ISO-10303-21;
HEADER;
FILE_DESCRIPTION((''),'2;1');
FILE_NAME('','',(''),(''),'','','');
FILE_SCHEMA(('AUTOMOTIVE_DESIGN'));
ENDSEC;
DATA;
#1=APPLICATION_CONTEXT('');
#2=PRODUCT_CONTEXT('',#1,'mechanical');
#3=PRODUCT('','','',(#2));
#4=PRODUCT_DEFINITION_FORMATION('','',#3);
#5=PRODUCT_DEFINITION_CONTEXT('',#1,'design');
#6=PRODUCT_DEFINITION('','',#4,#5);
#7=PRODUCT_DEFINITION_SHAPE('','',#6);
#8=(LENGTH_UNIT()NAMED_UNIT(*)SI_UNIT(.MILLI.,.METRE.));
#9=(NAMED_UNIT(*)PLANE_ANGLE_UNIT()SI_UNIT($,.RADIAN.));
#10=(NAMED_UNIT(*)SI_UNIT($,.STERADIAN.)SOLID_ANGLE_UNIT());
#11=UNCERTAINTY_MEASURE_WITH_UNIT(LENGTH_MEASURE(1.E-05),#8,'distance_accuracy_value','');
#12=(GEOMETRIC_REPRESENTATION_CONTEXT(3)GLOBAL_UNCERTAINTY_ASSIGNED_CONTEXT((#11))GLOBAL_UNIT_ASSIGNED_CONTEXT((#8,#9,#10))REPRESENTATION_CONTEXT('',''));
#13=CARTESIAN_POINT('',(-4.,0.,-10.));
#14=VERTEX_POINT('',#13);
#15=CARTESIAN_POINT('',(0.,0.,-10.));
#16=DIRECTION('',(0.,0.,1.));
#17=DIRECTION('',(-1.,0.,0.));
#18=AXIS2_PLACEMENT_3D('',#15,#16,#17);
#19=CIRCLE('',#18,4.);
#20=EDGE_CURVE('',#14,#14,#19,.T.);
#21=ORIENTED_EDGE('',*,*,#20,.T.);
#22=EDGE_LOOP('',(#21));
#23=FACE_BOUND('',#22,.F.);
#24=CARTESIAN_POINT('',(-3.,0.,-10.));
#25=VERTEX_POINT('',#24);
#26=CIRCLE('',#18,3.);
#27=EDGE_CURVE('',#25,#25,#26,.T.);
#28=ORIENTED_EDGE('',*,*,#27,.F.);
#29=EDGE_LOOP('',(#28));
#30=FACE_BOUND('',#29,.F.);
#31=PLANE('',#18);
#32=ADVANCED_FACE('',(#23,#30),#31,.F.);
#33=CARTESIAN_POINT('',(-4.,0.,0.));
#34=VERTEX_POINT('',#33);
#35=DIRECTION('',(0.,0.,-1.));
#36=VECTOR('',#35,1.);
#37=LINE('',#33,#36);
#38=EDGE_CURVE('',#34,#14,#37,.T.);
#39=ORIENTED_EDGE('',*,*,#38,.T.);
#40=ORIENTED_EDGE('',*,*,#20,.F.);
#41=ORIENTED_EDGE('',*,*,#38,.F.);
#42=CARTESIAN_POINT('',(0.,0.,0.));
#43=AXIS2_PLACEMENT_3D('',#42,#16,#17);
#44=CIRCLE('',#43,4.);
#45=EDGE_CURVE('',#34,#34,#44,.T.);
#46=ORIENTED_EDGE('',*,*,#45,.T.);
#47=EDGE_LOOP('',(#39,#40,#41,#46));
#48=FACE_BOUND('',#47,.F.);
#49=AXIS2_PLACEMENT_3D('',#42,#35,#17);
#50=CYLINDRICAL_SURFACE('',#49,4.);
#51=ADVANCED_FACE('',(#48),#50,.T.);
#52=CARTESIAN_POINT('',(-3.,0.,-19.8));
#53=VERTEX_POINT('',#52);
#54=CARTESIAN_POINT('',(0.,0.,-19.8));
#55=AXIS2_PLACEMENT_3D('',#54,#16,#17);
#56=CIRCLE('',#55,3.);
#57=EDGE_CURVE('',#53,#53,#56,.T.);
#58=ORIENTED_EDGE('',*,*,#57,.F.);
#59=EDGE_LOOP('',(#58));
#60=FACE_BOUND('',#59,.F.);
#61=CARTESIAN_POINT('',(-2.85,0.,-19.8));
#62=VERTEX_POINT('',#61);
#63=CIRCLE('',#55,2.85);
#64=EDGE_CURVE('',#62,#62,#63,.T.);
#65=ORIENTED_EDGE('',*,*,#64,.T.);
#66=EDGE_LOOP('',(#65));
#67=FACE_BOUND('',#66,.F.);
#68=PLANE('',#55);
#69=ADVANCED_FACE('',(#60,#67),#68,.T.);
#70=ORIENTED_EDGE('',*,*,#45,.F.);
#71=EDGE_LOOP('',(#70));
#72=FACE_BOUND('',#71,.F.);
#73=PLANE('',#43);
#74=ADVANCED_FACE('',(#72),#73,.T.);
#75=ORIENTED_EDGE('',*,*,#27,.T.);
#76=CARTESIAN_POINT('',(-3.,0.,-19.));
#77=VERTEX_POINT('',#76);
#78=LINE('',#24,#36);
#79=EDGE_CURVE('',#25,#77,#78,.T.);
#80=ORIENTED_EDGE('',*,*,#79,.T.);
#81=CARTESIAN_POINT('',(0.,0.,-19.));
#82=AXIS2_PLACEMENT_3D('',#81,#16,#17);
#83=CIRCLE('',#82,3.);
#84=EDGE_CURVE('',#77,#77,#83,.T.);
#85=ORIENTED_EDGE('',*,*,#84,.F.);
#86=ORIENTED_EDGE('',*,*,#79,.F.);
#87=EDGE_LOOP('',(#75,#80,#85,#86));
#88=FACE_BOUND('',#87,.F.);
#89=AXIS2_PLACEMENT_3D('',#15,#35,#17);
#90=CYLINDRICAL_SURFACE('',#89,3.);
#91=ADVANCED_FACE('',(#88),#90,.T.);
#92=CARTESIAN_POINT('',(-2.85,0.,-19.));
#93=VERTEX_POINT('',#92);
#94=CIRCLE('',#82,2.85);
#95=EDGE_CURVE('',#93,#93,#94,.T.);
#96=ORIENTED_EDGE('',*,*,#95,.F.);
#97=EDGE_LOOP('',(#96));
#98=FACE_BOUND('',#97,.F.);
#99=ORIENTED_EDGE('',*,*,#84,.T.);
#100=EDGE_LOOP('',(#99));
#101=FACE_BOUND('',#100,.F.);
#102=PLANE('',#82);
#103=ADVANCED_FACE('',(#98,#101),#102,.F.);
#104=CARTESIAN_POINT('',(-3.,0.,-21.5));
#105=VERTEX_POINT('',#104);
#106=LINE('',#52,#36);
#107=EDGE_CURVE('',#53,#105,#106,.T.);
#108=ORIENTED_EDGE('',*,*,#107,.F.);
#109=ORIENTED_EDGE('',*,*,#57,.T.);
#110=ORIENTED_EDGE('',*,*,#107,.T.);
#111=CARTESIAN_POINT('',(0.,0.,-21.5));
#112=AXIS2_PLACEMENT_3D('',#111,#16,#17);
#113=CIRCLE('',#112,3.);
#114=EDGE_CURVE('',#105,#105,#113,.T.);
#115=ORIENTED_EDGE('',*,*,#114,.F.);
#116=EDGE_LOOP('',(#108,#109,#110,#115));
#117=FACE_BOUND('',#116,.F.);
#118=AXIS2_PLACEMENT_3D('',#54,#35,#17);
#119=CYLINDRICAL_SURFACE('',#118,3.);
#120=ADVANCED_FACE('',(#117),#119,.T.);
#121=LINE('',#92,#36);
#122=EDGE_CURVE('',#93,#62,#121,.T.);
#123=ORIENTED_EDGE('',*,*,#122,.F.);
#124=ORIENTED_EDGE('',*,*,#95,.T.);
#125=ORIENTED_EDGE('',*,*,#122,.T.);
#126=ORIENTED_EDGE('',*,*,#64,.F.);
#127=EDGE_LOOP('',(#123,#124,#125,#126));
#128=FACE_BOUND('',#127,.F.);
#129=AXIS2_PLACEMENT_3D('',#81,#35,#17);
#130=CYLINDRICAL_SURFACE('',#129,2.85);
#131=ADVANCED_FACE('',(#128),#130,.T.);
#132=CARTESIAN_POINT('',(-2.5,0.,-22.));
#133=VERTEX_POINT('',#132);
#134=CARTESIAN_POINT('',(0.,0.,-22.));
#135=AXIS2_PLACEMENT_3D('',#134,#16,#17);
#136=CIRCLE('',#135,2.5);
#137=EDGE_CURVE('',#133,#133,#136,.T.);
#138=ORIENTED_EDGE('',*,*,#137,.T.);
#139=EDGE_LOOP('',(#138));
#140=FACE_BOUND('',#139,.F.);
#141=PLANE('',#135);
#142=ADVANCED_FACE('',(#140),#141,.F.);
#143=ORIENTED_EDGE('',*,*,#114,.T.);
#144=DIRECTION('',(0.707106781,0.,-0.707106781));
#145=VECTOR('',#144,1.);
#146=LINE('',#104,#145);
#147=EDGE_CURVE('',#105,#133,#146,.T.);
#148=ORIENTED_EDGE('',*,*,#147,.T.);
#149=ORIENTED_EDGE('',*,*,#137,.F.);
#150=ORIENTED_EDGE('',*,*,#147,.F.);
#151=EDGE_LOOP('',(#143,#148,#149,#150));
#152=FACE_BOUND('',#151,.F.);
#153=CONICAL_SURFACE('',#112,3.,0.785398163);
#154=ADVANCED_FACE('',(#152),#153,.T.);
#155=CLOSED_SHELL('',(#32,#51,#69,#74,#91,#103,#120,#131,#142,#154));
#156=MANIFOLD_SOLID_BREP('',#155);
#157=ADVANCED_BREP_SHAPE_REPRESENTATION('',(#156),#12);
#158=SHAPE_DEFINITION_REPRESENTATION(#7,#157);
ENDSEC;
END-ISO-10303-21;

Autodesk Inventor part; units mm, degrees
ref_plane "YZ Plane" through (0, 0, 0) normal (1, 0, 0) x (0, 1, 0)
ref_plane "XZ Plane" through (0, 0, 0) normal (0, 1, 0) x (-1, 0, 0)
ref_plane "XY Plane" through (0, 0, 0) normal (0, 0, 1) x (1, 0, 0)
sketch "Skizze1" plane through (0, 0, 0) normal (0, 1, 0) x (-1, 0, 0)
  line L0 (0, 0) -> (4, 0)
  line L1 (4, 0) -> (4, -10)
  line L2 (4, -10) -> (3, -10)
  line L3 (3, -10) -> (3, -19)
  line L4 (3, -19) -> (2.85, -19)
  line L5 (2.85, -19) -> (2.85, -19.8)
  line L6 (2.85, -19.8) -> (3, -19.8)
  line L7 (3, -19.8) -> (3, -22)
  line L8 (3, -22) -> (0, -22)
  line L9 (0, -22) -> (0, 0)
  point P0 (1.5, -22)
  dimension "d0" = 10
  dimension "d1" = 22
  dimension "d3" = 9
  dimension "d4" = 0.8
  dimension "d5" = 8
  dimension "d6" = 6
  dimension "d7" = 5.7
revolve "Umdrehung1" add sketch "Skizze1" angle 360 about axis through (0, 0, -22) along (0, 0, 1)
chamfer "Fasen1" distance 0.5 angle 45 1 edges at (3, 0, -22)
properties part number "Achse.planetenrad"
